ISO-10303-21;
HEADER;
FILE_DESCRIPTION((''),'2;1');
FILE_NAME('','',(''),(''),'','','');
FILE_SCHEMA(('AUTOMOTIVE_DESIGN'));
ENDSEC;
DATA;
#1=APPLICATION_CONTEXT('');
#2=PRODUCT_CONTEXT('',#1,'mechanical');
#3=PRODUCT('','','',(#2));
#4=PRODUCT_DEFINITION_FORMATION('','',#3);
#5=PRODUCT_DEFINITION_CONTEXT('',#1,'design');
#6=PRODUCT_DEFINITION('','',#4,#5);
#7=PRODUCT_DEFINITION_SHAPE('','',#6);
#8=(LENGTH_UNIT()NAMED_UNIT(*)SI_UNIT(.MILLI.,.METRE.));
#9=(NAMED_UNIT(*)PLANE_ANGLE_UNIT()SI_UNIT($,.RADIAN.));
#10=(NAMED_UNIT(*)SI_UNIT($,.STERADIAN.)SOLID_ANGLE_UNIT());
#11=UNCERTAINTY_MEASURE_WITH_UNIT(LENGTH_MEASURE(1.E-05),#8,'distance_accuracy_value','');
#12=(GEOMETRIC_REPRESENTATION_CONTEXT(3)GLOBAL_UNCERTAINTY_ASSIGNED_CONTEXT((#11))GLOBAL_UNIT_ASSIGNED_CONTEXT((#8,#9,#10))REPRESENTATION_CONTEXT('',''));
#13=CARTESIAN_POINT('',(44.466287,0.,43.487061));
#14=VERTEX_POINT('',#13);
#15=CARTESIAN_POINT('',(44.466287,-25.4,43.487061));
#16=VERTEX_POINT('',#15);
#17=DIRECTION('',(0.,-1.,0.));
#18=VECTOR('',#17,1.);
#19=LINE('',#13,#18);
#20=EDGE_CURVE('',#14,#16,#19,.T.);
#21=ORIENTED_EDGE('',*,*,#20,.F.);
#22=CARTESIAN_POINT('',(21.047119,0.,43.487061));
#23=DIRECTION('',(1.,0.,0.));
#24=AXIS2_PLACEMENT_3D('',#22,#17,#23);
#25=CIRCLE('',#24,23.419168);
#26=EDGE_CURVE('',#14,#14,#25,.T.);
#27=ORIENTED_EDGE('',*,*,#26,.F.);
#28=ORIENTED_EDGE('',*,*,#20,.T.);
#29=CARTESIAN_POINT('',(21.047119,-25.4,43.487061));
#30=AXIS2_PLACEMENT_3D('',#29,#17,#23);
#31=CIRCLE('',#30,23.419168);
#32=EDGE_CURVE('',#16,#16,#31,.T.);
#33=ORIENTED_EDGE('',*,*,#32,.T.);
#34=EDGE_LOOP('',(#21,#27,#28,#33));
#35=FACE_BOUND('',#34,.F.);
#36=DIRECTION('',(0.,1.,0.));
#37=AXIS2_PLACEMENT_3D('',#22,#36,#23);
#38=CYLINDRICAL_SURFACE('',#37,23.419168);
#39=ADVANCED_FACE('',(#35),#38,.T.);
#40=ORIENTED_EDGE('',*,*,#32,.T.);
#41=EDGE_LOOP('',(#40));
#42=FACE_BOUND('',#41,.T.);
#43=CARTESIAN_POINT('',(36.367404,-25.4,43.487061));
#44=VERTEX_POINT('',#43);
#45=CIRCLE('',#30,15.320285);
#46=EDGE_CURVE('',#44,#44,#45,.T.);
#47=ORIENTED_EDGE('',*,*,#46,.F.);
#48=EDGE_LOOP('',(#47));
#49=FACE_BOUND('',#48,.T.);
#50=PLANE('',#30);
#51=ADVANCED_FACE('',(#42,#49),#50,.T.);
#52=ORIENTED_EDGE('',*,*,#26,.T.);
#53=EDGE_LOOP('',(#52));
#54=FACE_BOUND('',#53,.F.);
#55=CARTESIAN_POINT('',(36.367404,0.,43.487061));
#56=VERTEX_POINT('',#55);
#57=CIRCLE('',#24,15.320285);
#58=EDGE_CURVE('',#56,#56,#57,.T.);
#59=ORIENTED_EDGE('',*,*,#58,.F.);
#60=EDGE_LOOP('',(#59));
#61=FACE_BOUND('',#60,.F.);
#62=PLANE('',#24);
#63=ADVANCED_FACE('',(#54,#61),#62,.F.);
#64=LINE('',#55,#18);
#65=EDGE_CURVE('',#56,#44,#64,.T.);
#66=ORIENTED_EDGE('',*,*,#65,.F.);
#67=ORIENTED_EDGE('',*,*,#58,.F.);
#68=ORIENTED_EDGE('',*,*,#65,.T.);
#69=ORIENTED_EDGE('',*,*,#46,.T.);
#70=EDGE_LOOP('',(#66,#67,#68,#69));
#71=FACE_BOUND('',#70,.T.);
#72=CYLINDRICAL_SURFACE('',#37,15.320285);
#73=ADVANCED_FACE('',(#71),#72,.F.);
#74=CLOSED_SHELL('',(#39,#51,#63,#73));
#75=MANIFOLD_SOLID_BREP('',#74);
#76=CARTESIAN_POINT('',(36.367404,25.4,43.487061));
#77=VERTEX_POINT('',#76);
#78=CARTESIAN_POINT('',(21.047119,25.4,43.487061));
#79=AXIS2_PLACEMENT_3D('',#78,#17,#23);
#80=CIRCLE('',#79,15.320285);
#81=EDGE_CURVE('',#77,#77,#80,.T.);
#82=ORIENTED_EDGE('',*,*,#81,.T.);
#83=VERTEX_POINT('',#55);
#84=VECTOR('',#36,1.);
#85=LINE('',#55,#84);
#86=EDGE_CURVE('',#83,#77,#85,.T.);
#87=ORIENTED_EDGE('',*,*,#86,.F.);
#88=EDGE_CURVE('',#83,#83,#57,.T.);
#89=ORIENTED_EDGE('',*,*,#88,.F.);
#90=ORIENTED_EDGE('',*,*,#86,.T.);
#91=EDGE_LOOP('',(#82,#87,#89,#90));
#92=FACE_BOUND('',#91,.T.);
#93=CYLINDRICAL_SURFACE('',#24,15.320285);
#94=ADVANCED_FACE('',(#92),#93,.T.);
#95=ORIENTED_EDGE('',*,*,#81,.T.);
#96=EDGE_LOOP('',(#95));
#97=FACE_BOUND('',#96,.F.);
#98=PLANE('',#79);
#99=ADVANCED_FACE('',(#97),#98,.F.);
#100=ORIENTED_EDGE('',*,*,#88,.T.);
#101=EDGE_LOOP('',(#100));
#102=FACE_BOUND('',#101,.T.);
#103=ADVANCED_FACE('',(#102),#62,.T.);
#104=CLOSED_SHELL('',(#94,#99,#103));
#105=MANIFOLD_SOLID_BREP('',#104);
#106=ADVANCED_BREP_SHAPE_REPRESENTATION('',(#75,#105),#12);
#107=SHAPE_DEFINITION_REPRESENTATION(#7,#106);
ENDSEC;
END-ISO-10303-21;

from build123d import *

# Parameters (mm, degrees)
F0_R     = 23.419168
F0_R_2   = 15.320285
F1_DEPTH = 25.4
F0_R_3   = 9.367665
F2_DEPTH = 25.4
F3_DEPTH = 25.4


with BuildPart() as f1:
    # F0 (on Front) → F1 (new body)
    with BuildSketch(Plane.XZ):
        with Locations((21.047119, 43.487061)):
            Circle(F0_R)
        with Locations((21.047119, 43.487061)):
            Circle(F0_R_2, mode=Mode.SUBTRACT)
    extrude(amount=F1_DEPTH)

    # F0 (on Front) → F2 (join)
    with BuildSketch(Plane.XZ):
        with Locations((21.047119, 43.487061)):
            Circle(F0_R_2)
        with Locations((21.047119, 43.487061)):
            Circle(F0_R_3, mode=Mode.SUBTRACT)
    extrude(amount=-F2_DEPTH)

    # F0 (on Front) → F3 (join)
    with BuildSketch(Plane.XZ):
        with Locations((21.047119, 43.487061)):
            Circle(F0_R_3)
    extrude(amount=-F3_DEPTH)


solid = f1.part
